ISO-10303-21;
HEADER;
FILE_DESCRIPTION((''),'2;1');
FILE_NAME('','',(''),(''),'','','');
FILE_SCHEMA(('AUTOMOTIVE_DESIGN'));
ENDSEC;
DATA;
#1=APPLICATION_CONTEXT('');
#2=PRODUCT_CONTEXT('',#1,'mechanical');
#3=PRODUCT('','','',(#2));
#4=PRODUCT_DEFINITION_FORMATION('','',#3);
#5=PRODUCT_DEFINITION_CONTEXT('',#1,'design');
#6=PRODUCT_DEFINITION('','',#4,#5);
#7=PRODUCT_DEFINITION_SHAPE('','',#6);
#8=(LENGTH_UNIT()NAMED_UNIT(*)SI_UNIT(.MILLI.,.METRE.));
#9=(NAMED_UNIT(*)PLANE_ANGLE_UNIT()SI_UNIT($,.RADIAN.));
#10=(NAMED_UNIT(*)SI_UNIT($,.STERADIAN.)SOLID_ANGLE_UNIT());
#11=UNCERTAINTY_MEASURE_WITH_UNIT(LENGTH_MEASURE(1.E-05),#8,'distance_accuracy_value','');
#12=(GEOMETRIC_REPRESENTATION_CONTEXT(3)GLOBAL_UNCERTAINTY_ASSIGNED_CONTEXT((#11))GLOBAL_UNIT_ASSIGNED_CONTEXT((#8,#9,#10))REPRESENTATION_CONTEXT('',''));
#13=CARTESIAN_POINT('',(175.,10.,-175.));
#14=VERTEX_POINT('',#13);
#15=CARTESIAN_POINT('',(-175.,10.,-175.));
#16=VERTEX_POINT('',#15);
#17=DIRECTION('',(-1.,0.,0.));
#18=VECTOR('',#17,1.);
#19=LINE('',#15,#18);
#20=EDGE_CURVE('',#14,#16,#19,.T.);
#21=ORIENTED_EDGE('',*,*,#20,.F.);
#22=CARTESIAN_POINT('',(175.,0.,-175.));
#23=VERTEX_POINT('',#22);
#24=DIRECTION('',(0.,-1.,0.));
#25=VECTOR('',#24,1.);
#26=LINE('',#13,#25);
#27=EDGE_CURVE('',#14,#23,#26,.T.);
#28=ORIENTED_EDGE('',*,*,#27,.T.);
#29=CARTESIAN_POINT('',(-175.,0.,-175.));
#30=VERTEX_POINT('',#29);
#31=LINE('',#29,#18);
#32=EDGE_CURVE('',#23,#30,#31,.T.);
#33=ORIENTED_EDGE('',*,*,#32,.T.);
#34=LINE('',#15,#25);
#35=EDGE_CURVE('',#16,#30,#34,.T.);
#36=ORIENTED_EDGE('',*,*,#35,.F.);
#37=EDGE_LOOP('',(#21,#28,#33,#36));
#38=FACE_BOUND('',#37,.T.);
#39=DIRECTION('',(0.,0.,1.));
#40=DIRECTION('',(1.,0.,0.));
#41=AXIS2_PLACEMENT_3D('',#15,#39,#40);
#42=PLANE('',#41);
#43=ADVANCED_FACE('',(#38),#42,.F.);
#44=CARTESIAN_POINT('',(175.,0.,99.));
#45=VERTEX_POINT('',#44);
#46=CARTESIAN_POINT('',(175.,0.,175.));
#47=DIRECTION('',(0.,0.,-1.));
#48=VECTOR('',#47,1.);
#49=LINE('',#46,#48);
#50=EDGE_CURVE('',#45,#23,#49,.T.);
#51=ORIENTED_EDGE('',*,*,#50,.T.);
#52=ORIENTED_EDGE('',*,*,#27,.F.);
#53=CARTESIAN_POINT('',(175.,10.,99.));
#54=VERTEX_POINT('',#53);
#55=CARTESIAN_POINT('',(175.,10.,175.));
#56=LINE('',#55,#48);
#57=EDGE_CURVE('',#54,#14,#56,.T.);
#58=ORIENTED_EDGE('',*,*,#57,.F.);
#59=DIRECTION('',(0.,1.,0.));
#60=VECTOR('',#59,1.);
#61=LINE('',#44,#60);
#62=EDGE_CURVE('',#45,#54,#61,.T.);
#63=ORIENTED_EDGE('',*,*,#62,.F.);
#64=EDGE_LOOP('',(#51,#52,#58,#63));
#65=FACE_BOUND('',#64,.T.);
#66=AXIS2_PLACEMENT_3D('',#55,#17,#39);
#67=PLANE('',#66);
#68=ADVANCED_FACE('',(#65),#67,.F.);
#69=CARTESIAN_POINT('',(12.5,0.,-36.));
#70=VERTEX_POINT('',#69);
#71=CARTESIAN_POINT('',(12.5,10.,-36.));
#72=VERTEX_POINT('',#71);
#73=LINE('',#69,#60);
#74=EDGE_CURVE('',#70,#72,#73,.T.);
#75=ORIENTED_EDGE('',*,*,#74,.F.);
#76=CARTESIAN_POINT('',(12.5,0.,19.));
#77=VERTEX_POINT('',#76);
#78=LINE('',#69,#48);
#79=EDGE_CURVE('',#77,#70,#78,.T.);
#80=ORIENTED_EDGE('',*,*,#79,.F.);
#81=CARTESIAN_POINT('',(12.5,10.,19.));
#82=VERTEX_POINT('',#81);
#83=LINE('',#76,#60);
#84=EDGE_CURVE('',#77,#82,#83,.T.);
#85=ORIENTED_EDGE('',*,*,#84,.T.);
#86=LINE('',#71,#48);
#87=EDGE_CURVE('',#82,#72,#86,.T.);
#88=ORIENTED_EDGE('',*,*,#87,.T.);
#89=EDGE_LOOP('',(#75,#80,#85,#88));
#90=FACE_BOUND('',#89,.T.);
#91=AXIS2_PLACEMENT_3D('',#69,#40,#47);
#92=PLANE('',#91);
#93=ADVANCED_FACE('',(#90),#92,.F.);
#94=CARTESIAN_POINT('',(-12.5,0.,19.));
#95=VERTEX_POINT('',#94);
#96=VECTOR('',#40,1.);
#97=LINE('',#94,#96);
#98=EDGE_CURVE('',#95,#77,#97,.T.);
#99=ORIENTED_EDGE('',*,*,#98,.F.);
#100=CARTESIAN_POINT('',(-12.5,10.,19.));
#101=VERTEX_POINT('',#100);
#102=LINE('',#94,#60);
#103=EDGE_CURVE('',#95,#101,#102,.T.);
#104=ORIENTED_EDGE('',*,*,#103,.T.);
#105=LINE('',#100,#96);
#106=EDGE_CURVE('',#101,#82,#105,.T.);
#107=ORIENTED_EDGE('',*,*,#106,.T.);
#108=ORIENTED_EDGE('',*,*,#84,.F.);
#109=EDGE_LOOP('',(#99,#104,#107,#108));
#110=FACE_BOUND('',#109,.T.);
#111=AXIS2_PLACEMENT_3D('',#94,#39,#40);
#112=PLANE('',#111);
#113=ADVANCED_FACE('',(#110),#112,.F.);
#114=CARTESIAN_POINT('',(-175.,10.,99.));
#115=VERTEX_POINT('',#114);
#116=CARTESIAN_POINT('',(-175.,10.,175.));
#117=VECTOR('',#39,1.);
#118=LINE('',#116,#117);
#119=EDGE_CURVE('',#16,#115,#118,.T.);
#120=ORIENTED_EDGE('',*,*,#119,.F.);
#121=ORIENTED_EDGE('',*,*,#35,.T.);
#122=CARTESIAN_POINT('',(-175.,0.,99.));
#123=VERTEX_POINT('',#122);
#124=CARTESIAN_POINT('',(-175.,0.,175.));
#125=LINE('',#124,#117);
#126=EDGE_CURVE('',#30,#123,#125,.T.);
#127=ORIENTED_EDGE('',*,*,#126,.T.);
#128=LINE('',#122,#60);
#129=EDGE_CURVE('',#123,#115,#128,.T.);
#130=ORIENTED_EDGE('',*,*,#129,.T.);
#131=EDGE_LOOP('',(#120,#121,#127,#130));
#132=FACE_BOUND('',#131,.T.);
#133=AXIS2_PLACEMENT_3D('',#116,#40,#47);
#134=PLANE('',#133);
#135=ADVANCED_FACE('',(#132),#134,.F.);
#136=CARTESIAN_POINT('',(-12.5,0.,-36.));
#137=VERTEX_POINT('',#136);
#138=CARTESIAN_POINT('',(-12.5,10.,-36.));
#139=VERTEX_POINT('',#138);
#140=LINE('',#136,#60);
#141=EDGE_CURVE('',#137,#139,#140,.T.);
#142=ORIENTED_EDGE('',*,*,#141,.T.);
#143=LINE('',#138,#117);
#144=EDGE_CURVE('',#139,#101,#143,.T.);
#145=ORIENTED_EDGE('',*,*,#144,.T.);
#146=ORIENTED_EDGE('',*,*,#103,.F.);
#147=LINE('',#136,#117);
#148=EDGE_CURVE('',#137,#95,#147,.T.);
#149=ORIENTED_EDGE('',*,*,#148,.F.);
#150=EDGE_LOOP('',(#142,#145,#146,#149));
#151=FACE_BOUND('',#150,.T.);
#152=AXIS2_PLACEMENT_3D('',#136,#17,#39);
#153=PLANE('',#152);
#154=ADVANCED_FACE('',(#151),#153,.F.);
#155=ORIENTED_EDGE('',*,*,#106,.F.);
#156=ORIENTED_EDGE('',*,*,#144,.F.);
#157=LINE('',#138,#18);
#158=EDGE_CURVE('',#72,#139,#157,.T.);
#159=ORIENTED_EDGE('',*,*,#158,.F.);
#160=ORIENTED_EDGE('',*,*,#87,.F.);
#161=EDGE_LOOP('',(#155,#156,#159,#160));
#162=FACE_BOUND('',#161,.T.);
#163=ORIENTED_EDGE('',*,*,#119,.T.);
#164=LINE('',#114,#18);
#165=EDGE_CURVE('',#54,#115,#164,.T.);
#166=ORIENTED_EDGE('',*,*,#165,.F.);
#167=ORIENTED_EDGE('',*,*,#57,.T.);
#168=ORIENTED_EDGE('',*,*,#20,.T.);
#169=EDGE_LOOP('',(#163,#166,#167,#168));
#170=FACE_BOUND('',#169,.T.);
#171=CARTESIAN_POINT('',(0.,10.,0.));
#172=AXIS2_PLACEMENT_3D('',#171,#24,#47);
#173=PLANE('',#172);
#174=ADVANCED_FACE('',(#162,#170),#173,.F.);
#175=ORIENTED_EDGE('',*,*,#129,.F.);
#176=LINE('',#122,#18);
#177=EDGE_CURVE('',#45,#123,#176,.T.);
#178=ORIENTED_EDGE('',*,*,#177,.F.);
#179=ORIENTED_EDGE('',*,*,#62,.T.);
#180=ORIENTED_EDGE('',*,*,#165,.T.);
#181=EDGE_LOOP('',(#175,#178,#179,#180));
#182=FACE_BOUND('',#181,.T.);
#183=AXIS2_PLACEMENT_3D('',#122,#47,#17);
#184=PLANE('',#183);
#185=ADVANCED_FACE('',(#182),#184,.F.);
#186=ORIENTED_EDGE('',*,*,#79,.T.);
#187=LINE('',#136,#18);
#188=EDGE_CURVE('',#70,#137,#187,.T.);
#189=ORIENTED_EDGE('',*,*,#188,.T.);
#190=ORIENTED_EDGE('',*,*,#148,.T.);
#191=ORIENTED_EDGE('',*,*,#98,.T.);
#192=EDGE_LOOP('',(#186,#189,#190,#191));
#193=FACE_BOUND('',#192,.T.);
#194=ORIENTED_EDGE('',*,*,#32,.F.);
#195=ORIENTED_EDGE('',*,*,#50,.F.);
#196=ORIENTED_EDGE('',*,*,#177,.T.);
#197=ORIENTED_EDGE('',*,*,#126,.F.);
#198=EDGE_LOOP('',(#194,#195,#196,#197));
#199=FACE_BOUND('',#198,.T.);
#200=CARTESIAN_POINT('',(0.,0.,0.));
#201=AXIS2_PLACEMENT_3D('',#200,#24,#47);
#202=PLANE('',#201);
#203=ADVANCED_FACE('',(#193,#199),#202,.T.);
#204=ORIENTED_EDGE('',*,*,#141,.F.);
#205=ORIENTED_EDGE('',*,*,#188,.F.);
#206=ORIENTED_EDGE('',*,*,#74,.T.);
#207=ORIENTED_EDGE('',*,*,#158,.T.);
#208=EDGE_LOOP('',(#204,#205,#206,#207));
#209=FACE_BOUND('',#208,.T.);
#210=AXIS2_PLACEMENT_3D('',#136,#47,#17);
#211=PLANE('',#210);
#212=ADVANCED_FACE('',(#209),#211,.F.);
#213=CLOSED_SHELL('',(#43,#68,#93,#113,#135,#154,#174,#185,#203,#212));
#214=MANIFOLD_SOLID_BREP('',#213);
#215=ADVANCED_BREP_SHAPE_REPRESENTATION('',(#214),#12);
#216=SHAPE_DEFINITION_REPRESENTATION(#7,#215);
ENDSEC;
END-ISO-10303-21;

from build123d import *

# Parameters (mm, degrees)
SKETCH1_W           = 350
SKETCH1_H           = 350
BOSS_EXTRUDE1_DEPTH = 10
SKETCH3_W           = 350
SKETCH3_H           = 76
CUT_EXTRUDE1_DEPTH  = 10
SKETCH4_W           = 25
SKETCH4_H           = 55
CUT_EXTRUDE2_DEPTH  = 10


with BuildPart() as part:
    # Sketch1 → Boss-Extrude1 (new body)
    with BuildSketch(Plane(origin=(0, 0, 0), x_dir=(1, 0, 0), z_dir=(0, 1, 0))):
        Rectangle(SKETCH1_W, SKETCH1_H)
    extrude(amount=BOSS_EXTRUDE1_DEPTH)

    # Sketch3 → Cut-Extrude1 (cut)
    with BuildSketch(Plane(origin=(0, 10, 0), x_dir=(1, 0, 0), z_dir=(0, 1, 0))):
        with Locations((0, -137)):
            Rectangle(SKETCH3_W, SKETCH3_H)
    extrude(amount=-CUT_EXTRUDE1_DEPTH, mode=Mode.SUBTRACT)

    # Sketch4 → Cut-Extrude2 (cut)
    with BuildSketch(Plane(origin=(0, 10, 0), x_dir=(1, 0, 0), z_dir=(0, 1, 0))):
        with Locations((0, 8.5)):
            Rectangle(SKETCH4_W, SKETCH4_H)
    extrude(amount=-CUT_EXTRUDE2_DEPTH, mode=Mode.SUBTRACT)


solid = part.part
